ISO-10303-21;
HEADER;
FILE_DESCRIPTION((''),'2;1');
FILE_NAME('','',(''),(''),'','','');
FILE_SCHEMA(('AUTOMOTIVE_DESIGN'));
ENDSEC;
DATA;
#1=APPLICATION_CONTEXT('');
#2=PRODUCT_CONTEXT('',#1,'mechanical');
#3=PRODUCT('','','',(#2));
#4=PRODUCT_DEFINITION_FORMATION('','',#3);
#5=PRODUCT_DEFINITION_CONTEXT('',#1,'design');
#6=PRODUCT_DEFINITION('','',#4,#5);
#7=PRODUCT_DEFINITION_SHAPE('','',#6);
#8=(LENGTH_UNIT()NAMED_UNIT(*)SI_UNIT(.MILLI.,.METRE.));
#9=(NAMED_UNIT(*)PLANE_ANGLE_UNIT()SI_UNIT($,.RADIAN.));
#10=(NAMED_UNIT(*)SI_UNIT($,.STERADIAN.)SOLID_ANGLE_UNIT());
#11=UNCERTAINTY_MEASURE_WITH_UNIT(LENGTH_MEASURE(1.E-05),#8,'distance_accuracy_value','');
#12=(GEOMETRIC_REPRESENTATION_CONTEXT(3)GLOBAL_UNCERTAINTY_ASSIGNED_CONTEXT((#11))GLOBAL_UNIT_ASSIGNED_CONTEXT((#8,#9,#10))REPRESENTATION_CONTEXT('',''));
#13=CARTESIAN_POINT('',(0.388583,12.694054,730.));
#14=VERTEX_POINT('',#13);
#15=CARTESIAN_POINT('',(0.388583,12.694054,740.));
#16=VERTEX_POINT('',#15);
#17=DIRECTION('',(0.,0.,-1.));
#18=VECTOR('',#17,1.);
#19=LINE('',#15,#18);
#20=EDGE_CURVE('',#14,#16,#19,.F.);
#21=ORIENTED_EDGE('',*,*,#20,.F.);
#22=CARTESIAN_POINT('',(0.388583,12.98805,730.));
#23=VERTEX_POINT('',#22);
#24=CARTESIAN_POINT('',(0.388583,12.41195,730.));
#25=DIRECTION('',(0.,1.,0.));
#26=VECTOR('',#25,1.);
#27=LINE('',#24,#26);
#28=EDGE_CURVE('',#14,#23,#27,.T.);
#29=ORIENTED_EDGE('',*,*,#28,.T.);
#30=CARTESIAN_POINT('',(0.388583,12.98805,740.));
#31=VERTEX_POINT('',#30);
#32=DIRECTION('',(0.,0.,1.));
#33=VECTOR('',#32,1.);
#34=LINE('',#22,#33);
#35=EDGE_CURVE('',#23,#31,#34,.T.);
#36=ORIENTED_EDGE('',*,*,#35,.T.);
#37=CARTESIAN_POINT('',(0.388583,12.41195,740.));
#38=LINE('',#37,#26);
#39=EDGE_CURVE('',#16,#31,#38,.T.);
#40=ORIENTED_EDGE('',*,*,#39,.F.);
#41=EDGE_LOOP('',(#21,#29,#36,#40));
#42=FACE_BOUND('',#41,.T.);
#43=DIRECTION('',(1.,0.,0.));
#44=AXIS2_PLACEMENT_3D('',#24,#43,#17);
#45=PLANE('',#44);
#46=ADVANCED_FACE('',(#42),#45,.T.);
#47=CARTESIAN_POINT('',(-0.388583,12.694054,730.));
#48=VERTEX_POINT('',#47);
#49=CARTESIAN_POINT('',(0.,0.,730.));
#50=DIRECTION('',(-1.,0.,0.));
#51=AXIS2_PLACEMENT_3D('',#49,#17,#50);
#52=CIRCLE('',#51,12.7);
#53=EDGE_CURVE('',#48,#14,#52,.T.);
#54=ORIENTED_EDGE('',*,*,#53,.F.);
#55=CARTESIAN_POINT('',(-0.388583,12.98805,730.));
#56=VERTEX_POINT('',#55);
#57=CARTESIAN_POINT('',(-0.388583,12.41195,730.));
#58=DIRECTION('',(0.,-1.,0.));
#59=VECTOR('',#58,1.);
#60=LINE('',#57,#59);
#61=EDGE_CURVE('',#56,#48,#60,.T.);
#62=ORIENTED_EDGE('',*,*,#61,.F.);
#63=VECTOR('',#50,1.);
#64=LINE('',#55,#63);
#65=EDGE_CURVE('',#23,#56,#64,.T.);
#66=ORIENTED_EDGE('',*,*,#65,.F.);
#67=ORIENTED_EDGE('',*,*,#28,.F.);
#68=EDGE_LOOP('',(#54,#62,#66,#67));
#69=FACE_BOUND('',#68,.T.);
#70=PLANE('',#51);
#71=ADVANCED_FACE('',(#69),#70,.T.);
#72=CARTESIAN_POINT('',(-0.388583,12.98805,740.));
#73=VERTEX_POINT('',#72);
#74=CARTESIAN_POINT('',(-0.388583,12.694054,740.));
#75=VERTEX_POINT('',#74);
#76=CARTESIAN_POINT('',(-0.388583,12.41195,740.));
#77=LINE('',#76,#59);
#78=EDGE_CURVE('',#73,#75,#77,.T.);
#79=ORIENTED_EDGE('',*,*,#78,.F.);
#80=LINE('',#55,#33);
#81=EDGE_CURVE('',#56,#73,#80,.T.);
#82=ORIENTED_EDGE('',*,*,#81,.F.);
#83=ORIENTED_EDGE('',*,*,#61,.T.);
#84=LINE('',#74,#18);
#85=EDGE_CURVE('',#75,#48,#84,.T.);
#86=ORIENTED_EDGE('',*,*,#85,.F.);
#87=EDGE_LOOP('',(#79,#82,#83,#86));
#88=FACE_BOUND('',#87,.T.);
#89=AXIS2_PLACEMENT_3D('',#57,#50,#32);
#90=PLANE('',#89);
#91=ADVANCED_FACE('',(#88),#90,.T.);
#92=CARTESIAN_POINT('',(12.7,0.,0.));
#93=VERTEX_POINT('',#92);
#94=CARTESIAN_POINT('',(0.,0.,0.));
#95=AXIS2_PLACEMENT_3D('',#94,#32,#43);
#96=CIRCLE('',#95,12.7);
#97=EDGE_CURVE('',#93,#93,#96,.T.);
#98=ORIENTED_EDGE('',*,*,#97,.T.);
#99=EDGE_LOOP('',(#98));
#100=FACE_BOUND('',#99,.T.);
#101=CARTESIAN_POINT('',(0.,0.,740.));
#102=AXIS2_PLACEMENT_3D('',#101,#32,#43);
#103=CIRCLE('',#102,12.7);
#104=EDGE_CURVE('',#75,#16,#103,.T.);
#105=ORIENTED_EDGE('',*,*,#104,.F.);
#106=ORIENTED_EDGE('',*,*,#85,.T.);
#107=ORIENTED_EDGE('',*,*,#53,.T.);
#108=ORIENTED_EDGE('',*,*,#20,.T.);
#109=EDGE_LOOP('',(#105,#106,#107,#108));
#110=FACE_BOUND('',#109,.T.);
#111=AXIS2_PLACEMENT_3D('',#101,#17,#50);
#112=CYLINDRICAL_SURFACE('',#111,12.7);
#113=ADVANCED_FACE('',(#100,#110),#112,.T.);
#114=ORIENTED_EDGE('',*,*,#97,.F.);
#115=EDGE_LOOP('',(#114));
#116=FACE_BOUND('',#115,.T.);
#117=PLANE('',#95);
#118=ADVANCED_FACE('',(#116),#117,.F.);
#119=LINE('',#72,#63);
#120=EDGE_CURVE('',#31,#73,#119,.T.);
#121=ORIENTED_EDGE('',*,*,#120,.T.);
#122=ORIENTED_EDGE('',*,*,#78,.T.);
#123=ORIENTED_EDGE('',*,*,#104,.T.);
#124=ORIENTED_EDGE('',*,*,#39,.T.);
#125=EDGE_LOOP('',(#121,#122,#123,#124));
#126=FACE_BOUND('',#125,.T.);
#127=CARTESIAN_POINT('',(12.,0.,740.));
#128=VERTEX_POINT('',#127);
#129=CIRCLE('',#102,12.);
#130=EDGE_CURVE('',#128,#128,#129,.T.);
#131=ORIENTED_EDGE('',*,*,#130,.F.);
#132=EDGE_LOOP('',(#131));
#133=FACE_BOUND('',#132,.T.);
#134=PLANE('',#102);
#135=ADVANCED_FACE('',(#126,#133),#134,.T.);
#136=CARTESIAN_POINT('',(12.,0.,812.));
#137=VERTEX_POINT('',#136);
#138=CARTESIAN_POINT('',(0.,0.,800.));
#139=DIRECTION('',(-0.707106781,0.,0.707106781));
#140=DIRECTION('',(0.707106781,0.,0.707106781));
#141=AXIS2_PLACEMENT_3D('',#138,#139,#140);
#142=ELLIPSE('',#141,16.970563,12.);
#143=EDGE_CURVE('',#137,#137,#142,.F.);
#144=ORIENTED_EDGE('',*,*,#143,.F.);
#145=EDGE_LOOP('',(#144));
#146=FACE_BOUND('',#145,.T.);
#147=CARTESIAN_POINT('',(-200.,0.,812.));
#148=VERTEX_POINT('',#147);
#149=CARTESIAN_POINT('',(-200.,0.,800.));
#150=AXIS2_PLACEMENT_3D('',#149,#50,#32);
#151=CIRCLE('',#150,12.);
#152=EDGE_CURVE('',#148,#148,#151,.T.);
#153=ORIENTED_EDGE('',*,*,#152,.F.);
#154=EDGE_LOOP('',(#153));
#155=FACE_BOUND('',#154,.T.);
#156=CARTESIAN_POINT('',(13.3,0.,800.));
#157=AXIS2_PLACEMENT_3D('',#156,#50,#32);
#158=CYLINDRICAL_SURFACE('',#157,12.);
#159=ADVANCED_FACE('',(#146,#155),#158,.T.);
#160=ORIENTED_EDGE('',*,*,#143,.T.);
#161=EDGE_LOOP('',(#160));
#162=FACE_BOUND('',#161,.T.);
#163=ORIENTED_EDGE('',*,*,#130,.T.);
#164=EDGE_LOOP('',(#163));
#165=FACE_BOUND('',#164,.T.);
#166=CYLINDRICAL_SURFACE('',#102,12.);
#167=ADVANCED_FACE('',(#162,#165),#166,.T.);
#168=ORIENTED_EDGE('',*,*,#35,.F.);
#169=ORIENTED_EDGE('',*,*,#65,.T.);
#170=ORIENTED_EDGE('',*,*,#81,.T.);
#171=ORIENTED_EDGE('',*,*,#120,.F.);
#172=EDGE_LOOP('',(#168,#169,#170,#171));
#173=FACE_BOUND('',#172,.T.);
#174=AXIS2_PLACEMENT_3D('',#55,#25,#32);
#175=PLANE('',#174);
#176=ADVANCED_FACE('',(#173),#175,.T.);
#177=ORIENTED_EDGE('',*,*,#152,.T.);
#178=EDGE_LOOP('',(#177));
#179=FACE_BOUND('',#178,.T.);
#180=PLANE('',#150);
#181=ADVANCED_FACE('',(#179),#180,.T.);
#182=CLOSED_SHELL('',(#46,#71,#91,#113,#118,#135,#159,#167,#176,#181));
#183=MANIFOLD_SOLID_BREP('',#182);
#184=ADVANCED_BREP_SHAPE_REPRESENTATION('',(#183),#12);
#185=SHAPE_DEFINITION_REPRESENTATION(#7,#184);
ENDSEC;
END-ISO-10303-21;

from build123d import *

# Parameters (mm, degrees)
CROQUIS1_R              = 12.7
SALIENTE_EXTRUIR1_DEPTH = 740
CROQUIS2_W              = 0.777166432
CROQUIS2_H              = 0.57610026
SALIENTE_EXTRUIR2_DEPTH = 10
CROQUIS3_R              = 12


with BuildPart() as part:
    # Croquis1 → Saliente-Extruir1 (new body)
    with BuildSketch(Plane.XY):
        Circle(CROQUIS1_R)
    extrude(amount=SALIENTE_EXTRUIR1_DEPTH)

    # Croquis2 → Saliente-Extruir2 (add)
    with BuildSketch(Plane.XY.offset(740)):
        with Locations((0, 12.7)):
            Rectangle(CROQUIS2_W, CROQUIS2_H)
    extrude(amount=-SALIENTE_EXTRUIR2_DEPTH)

    # Barrer1: sweep along a curve in space
    with BuildLine() as barrer1_path:
        Line((0, 0, 740), (0, 0, 800))
        Line((0, 0, 800), (-200, 0, 800))
    # Croquis3 → Barrer1 (sweep)
    with BuildSketch(Plane.XY.offset(740)):
        Circle(CROQUIS3_R)
    sweep(path=barrer1_path.line, transition=Transition.RIGHT)


solid = part.part
